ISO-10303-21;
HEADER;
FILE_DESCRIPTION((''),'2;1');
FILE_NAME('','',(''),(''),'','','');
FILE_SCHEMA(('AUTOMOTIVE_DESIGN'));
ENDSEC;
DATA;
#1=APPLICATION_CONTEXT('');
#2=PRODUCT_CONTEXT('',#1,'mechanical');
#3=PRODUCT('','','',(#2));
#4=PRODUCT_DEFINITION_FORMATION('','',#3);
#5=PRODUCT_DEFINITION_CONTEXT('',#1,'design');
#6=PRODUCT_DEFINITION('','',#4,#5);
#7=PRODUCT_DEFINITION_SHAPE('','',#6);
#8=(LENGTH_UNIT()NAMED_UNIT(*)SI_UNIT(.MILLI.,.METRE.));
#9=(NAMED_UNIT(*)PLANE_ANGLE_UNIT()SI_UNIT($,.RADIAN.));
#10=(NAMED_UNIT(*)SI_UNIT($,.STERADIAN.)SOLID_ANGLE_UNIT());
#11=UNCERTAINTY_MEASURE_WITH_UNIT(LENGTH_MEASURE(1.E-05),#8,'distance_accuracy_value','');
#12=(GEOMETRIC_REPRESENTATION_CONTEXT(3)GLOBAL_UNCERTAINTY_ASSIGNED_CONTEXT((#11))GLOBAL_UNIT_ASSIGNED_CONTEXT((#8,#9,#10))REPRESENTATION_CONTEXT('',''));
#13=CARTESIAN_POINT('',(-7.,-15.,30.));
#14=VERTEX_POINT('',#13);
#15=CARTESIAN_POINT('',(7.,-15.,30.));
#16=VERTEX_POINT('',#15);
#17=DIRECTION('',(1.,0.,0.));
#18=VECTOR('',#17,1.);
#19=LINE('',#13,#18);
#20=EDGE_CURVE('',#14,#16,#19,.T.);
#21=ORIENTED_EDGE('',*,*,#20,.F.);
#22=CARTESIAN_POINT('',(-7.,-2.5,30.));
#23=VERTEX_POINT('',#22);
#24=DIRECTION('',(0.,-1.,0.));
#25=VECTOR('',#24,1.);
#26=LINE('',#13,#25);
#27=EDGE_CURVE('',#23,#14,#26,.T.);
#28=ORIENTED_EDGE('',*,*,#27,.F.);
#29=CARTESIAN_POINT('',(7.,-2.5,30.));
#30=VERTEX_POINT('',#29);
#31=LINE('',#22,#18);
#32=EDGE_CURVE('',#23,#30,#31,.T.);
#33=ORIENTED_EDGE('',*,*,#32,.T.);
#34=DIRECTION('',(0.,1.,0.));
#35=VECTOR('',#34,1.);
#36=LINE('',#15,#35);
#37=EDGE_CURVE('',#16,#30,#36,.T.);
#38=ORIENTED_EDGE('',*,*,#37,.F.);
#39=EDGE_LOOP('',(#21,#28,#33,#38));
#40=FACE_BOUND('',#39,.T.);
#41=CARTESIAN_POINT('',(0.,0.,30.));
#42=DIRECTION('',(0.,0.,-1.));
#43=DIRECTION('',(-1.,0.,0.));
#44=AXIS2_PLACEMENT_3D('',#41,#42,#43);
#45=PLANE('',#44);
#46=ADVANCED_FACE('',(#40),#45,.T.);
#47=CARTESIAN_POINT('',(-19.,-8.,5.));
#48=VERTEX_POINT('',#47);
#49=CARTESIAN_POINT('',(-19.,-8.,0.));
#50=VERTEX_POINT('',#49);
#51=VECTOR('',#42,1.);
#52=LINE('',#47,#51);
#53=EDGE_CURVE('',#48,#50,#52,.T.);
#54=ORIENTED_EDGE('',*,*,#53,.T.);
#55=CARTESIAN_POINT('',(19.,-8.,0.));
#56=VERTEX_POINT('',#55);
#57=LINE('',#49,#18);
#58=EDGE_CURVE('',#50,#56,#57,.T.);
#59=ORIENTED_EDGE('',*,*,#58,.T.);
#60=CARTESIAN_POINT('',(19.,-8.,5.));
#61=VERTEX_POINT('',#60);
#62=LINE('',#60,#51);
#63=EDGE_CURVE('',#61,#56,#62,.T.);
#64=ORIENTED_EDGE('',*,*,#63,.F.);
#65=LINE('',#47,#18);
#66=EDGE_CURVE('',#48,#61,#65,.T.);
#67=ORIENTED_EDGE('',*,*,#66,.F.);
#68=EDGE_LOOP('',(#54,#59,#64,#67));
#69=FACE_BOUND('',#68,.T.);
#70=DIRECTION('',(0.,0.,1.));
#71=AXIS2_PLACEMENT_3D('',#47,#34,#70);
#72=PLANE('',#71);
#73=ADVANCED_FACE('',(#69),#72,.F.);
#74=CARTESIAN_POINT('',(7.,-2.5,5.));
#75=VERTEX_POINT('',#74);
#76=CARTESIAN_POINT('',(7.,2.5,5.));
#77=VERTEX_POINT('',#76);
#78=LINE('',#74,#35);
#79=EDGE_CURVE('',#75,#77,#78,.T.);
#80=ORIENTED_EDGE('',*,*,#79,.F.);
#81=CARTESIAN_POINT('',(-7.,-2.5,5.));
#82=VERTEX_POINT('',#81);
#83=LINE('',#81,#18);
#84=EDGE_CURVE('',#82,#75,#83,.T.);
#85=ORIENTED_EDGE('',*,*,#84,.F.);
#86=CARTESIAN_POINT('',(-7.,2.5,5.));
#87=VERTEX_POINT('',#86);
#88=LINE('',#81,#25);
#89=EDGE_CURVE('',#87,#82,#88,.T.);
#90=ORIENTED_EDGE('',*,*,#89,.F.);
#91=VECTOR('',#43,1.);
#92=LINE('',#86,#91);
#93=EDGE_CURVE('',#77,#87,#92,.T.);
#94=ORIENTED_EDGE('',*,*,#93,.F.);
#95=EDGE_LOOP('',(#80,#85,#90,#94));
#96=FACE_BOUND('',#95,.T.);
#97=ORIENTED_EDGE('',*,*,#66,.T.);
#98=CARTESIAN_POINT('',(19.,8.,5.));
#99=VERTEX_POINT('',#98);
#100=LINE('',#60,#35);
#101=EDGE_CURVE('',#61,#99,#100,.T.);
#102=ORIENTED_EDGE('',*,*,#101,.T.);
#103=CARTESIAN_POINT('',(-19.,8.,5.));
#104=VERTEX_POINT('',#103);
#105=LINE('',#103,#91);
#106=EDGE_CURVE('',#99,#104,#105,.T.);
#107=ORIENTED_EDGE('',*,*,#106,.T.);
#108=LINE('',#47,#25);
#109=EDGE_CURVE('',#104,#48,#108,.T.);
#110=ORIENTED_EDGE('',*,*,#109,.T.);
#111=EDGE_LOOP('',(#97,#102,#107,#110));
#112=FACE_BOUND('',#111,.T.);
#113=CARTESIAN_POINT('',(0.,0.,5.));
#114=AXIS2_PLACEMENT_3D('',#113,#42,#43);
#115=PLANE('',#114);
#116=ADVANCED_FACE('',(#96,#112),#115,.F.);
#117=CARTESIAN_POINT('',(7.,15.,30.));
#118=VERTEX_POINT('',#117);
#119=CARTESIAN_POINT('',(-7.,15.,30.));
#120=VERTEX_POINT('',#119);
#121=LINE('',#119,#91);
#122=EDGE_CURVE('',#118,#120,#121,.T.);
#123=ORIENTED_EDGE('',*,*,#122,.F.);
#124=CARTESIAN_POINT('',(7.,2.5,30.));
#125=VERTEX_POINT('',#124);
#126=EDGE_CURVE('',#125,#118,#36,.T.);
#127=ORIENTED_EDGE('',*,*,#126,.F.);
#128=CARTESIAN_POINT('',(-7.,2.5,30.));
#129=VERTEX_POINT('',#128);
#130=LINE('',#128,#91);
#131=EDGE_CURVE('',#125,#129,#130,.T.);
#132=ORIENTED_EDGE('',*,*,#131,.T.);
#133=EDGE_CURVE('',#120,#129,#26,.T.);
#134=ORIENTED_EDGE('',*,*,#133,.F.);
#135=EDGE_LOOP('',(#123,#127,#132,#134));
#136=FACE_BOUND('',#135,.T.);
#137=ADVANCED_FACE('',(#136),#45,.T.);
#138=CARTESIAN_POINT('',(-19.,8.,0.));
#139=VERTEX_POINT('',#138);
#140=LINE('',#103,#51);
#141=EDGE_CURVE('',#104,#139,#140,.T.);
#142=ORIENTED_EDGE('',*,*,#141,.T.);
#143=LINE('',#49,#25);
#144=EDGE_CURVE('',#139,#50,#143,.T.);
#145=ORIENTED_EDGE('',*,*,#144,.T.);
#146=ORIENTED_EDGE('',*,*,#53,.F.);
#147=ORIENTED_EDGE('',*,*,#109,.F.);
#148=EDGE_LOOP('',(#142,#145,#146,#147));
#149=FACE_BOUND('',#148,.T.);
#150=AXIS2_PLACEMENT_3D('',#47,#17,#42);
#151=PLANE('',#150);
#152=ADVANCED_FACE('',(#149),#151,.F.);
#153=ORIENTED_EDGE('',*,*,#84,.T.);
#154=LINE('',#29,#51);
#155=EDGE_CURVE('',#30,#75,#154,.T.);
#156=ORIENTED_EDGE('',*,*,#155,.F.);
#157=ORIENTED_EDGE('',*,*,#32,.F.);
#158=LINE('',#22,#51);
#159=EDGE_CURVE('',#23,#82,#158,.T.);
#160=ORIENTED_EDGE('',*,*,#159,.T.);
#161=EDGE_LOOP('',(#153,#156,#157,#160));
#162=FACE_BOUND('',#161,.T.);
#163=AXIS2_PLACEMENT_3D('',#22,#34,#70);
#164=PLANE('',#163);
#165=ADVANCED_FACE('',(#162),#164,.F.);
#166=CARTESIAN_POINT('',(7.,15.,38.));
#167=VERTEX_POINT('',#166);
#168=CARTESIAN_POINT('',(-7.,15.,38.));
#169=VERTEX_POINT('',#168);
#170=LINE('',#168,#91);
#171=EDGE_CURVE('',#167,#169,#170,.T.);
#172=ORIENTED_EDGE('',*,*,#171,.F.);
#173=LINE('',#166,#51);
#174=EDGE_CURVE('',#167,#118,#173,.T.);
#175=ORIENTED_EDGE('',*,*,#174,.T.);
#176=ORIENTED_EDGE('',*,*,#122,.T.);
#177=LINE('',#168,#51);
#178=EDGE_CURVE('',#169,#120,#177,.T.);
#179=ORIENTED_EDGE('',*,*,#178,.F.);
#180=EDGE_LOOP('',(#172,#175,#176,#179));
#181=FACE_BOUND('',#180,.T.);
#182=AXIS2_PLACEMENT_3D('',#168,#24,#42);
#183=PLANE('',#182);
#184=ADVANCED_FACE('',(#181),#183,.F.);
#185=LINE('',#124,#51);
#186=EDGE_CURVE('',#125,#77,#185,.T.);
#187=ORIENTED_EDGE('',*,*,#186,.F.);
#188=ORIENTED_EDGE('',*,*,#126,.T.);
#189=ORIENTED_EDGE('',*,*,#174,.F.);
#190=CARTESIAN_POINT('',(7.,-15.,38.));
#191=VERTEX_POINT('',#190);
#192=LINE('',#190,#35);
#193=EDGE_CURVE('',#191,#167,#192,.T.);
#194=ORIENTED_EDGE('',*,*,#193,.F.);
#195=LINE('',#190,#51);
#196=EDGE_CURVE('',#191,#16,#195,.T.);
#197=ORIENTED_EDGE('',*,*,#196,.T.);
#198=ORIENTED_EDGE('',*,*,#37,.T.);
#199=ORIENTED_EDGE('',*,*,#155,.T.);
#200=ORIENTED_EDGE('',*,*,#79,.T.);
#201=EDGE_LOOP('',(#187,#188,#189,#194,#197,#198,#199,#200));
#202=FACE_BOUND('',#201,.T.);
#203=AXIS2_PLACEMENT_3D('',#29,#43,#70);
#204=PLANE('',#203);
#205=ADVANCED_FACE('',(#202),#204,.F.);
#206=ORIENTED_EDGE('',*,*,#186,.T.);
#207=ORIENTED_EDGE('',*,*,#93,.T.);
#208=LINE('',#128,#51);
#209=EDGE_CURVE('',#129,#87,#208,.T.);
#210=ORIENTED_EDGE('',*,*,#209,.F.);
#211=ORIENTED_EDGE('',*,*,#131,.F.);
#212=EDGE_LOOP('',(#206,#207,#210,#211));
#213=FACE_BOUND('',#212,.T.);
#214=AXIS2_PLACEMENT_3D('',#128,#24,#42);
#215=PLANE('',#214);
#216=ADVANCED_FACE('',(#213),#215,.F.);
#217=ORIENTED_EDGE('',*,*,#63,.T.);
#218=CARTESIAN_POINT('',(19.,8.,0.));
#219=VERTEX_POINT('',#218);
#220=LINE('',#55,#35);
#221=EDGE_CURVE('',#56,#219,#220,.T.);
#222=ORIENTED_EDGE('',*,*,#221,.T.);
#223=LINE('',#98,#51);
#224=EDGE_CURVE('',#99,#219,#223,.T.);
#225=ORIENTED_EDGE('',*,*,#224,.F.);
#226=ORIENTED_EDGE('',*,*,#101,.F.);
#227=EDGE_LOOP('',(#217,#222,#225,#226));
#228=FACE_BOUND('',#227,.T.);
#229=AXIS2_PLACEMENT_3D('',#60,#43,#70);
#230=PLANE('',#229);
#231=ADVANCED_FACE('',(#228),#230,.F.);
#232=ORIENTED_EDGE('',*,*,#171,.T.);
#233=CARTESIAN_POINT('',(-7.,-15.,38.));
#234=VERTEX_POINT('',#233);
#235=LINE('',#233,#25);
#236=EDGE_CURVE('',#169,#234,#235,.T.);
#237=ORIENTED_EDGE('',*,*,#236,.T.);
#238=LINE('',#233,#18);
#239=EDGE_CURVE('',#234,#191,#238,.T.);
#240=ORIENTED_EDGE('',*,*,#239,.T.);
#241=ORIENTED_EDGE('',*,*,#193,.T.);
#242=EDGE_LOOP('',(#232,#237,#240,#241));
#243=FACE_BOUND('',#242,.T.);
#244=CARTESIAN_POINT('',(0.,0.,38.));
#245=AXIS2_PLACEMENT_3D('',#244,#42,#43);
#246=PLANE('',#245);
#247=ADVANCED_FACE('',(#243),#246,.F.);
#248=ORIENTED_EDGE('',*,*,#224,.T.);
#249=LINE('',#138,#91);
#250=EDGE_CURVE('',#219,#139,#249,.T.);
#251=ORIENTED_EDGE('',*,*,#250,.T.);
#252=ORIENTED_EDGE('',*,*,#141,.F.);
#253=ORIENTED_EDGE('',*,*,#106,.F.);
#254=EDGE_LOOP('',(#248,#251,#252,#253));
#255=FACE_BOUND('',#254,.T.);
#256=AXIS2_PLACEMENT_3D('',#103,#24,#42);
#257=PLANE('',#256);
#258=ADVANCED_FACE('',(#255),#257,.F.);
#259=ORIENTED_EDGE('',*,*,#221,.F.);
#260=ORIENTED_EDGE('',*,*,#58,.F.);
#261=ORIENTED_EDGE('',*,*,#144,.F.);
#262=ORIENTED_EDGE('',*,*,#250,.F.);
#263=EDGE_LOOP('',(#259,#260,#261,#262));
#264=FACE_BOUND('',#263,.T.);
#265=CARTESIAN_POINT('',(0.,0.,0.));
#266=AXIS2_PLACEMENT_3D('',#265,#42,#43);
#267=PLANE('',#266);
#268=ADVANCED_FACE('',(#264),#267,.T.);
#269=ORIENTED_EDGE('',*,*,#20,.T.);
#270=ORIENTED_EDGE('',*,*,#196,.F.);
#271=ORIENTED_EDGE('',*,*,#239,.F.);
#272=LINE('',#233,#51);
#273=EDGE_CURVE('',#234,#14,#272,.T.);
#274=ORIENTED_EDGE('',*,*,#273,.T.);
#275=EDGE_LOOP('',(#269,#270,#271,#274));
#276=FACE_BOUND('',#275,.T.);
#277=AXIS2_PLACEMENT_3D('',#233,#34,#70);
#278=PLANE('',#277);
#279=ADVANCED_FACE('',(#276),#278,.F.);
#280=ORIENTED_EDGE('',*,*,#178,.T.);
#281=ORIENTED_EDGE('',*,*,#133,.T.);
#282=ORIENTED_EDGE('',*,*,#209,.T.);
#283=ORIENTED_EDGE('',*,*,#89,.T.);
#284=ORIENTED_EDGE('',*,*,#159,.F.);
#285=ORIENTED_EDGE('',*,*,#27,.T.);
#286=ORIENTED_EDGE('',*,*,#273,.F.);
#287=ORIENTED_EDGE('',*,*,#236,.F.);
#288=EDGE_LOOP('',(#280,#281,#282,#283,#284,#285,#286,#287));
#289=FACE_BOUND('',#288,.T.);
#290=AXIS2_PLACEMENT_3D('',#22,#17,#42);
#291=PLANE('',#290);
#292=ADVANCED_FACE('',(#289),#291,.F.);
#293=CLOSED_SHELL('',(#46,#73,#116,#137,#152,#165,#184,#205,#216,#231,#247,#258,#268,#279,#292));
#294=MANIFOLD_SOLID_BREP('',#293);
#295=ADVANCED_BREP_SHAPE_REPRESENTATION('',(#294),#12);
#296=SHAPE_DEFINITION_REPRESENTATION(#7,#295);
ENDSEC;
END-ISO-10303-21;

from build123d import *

# Parameters (mm, degrees)
SKETCH_1_W      = 38
SKETCH_1_H      = 16
EXTRUDE_1_DEPTH = 5
SKETCH_2_W      = 14
SKETCH_2_H      = 5
EXTRUDE_2_DEPTH = 25
SKETCH_3_W      = 14
SKETCH_3_H      = 30
EXTRUDE_3_DEPTH = 8


with BuildPart() as part:
    # 草图1 → 凸台-拉伸1 (new body)
    with BuildSketch(Plane.XY):
        Rectangle(SKETCH_1_W, SKETCH_1_H)
    extrude(amount=EXTRUDE_1_DEPTH)

    # 草图2 → 凸台-拉伸2 (add)
    with BuildSketch(Plane.XY.offset(5)):
        Rectangle(SKETCH_2_W, SKETCH_2_H)
    extrude(amount=EXTRUDE_2_DEPTH)

    # 草图3 → 凸台-拉伸3 (add)
    with BuildSketch(Plane.XY.offset(30)):
        Rectangle(SKETCH_3_W, SKETCH_3_H)
    extrude(amount=EXTRUDE_3_DEPTH)


solid = part.part
